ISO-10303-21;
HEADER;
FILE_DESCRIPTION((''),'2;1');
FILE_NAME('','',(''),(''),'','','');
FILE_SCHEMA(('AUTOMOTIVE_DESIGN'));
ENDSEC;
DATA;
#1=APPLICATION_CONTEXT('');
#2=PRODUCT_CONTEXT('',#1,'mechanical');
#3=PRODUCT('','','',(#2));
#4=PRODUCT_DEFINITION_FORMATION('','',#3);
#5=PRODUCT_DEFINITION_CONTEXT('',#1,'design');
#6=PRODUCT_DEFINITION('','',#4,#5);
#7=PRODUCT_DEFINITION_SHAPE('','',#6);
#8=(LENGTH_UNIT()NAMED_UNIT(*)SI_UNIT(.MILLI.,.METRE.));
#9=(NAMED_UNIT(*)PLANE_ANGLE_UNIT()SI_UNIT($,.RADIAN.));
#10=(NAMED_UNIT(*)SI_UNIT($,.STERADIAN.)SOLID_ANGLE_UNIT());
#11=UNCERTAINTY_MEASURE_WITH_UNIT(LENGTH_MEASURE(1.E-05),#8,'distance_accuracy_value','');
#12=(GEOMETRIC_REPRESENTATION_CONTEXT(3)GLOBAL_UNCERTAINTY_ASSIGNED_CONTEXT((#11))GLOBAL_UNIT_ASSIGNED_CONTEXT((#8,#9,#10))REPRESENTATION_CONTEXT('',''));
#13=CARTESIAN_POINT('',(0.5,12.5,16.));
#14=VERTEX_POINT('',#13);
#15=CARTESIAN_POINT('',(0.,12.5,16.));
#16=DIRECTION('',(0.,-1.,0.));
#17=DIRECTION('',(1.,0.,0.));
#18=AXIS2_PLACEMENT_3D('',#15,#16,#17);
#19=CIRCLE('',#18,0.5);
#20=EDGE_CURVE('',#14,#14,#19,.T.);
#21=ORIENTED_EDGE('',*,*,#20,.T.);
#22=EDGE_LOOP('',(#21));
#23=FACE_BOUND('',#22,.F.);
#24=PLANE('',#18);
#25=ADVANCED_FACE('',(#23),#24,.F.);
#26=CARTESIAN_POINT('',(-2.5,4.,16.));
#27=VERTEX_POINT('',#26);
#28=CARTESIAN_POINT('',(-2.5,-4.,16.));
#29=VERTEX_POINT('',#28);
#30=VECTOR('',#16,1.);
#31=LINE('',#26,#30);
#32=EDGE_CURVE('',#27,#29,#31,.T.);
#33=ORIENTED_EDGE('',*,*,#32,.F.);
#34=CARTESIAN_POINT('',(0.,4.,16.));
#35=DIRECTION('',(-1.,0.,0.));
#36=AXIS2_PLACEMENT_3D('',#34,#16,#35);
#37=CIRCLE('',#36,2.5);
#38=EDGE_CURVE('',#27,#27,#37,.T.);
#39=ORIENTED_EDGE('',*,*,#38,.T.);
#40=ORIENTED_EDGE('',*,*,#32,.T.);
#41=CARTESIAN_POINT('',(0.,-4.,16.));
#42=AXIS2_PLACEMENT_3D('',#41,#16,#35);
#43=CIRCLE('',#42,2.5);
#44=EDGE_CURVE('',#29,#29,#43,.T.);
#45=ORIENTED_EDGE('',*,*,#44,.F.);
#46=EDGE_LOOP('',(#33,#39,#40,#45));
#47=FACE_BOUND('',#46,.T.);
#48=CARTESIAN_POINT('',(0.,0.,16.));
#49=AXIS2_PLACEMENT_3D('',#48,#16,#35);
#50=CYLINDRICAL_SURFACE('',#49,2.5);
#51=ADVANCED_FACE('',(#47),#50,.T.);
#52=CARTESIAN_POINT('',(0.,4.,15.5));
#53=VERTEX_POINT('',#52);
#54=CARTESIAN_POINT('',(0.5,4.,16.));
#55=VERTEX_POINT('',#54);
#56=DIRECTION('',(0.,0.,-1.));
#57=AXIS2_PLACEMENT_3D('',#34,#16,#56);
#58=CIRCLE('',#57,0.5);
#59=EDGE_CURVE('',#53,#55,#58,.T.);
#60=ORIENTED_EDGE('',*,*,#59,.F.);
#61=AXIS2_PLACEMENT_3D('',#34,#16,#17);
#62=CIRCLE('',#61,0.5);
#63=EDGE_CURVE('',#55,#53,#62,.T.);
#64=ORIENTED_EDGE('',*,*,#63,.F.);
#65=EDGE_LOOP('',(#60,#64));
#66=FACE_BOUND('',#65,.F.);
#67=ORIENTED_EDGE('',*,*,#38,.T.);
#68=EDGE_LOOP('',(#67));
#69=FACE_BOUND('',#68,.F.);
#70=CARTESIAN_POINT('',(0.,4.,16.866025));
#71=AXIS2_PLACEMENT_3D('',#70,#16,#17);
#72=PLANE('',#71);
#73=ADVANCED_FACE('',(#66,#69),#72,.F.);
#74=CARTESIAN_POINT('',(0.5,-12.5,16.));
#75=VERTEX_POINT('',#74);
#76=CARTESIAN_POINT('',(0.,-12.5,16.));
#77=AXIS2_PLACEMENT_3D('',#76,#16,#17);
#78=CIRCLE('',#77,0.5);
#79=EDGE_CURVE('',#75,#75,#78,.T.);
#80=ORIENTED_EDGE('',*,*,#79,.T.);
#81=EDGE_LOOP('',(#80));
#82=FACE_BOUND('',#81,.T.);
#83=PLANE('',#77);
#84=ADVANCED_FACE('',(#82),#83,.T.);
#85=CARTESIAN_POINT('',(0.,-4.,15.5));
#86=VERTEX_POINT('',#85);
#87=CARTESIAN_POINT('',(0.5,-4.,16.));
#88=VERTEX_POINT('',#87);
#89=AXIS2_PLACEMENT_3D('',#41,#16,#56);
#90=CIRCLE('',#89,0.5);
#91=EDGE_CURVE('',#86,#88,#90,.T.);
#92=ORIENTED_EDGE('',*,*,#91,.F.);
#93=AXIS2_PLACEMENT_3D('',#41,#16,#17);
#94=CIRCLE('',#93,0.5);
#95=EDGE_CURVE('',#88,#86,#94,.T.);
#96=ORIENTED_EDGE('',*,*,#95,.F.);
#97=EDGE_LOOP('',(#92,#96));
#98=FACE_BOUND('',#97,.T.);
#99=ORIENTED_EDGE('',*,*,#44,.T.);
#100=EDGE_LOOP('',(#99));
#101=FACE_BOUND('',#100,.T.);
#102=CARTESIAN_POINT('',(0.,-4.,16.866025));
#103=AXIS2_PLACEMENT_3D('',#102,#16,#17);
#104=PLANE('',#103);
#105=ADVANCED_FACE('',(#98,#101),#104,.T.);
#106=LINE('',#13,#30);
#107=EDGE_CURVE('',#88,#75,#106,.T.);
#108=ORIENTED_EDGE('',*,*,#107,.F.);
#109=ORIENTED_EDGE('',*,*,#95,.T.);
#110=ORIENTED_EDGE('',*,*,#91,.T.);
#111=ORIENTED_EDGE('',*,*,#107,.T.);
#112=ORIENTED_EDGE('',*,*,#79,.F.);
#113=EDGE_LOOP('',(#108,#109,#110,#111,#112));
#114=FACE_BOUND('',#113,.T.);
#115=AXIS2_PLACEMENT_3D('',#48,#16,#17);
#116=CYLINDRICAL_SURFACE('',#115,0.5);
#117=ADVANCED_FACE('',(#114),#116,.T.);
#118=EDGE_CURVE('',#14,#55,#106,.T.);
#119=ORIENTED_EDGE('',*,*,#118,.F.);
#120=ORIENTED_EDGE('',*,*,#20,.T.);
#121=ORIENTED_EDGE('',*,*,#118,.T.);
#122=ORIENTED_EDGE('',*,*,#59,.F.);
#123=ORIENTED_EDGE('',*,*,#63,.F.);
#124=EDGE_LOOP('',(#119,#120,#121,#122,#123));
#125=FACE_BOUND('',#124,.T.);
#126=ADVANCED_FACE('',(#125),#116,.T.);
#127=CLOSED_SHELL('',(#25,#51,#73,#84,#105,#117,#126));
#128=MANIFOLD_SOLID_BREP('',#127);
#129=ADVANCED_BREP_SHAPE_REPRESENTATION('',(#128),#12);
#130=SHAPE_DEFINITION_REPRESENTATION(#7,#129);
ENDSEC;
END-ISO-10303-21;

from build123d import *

# Parameters (mm, degrees)
F1_DEPTH = 4
F4_DEPTH = 25
F5_R     = 0.5
F6_DEPTH = 12.5


with BuildPart() as f1:
    # F0 (on Front) → F1 (new body, symmetric)
    with BuildSketch(Plane.XZ):
        with BuildLine():
            Line((-2.5, 16), (2.5, 16))
            ThreePointArc((2.5, 16), (0, 18.5), (-2.5, 16))
        make_face()
        with BuildLine():
            ThreePointArc((-2.5, 16), (0, 13.5), (2.5, 16))
            Line((2.5, 16), (-2.5, 16))
        make_face()
    extrude(amount=F1_DEPTH, both=True)

    # F3 (on offset) → F4 (cut)
    with BuildSketch(Plane.XZ.offset(4)):
        with BuildLine():
            ThreePointArc((0, 15.5), (0.3535533906, 15.6464466094), (0.5, 16))
            ThreePointArc((0.5, 16), (-0.3535533906, 16.3535533906), (0, 15.5))
        make_face()
    extrude(amount=-F4_DEPTH, mode=Mode.SUBTRACT)

    # F5 (on Front) → F6 (join, symmetric)
    with BuildSketch(Plane.XZ):
        with Locations((0, 16)):
            Circle(F5_R)
    extrude(amount=F6_DEPTH, both=True)


solid = f1.part
